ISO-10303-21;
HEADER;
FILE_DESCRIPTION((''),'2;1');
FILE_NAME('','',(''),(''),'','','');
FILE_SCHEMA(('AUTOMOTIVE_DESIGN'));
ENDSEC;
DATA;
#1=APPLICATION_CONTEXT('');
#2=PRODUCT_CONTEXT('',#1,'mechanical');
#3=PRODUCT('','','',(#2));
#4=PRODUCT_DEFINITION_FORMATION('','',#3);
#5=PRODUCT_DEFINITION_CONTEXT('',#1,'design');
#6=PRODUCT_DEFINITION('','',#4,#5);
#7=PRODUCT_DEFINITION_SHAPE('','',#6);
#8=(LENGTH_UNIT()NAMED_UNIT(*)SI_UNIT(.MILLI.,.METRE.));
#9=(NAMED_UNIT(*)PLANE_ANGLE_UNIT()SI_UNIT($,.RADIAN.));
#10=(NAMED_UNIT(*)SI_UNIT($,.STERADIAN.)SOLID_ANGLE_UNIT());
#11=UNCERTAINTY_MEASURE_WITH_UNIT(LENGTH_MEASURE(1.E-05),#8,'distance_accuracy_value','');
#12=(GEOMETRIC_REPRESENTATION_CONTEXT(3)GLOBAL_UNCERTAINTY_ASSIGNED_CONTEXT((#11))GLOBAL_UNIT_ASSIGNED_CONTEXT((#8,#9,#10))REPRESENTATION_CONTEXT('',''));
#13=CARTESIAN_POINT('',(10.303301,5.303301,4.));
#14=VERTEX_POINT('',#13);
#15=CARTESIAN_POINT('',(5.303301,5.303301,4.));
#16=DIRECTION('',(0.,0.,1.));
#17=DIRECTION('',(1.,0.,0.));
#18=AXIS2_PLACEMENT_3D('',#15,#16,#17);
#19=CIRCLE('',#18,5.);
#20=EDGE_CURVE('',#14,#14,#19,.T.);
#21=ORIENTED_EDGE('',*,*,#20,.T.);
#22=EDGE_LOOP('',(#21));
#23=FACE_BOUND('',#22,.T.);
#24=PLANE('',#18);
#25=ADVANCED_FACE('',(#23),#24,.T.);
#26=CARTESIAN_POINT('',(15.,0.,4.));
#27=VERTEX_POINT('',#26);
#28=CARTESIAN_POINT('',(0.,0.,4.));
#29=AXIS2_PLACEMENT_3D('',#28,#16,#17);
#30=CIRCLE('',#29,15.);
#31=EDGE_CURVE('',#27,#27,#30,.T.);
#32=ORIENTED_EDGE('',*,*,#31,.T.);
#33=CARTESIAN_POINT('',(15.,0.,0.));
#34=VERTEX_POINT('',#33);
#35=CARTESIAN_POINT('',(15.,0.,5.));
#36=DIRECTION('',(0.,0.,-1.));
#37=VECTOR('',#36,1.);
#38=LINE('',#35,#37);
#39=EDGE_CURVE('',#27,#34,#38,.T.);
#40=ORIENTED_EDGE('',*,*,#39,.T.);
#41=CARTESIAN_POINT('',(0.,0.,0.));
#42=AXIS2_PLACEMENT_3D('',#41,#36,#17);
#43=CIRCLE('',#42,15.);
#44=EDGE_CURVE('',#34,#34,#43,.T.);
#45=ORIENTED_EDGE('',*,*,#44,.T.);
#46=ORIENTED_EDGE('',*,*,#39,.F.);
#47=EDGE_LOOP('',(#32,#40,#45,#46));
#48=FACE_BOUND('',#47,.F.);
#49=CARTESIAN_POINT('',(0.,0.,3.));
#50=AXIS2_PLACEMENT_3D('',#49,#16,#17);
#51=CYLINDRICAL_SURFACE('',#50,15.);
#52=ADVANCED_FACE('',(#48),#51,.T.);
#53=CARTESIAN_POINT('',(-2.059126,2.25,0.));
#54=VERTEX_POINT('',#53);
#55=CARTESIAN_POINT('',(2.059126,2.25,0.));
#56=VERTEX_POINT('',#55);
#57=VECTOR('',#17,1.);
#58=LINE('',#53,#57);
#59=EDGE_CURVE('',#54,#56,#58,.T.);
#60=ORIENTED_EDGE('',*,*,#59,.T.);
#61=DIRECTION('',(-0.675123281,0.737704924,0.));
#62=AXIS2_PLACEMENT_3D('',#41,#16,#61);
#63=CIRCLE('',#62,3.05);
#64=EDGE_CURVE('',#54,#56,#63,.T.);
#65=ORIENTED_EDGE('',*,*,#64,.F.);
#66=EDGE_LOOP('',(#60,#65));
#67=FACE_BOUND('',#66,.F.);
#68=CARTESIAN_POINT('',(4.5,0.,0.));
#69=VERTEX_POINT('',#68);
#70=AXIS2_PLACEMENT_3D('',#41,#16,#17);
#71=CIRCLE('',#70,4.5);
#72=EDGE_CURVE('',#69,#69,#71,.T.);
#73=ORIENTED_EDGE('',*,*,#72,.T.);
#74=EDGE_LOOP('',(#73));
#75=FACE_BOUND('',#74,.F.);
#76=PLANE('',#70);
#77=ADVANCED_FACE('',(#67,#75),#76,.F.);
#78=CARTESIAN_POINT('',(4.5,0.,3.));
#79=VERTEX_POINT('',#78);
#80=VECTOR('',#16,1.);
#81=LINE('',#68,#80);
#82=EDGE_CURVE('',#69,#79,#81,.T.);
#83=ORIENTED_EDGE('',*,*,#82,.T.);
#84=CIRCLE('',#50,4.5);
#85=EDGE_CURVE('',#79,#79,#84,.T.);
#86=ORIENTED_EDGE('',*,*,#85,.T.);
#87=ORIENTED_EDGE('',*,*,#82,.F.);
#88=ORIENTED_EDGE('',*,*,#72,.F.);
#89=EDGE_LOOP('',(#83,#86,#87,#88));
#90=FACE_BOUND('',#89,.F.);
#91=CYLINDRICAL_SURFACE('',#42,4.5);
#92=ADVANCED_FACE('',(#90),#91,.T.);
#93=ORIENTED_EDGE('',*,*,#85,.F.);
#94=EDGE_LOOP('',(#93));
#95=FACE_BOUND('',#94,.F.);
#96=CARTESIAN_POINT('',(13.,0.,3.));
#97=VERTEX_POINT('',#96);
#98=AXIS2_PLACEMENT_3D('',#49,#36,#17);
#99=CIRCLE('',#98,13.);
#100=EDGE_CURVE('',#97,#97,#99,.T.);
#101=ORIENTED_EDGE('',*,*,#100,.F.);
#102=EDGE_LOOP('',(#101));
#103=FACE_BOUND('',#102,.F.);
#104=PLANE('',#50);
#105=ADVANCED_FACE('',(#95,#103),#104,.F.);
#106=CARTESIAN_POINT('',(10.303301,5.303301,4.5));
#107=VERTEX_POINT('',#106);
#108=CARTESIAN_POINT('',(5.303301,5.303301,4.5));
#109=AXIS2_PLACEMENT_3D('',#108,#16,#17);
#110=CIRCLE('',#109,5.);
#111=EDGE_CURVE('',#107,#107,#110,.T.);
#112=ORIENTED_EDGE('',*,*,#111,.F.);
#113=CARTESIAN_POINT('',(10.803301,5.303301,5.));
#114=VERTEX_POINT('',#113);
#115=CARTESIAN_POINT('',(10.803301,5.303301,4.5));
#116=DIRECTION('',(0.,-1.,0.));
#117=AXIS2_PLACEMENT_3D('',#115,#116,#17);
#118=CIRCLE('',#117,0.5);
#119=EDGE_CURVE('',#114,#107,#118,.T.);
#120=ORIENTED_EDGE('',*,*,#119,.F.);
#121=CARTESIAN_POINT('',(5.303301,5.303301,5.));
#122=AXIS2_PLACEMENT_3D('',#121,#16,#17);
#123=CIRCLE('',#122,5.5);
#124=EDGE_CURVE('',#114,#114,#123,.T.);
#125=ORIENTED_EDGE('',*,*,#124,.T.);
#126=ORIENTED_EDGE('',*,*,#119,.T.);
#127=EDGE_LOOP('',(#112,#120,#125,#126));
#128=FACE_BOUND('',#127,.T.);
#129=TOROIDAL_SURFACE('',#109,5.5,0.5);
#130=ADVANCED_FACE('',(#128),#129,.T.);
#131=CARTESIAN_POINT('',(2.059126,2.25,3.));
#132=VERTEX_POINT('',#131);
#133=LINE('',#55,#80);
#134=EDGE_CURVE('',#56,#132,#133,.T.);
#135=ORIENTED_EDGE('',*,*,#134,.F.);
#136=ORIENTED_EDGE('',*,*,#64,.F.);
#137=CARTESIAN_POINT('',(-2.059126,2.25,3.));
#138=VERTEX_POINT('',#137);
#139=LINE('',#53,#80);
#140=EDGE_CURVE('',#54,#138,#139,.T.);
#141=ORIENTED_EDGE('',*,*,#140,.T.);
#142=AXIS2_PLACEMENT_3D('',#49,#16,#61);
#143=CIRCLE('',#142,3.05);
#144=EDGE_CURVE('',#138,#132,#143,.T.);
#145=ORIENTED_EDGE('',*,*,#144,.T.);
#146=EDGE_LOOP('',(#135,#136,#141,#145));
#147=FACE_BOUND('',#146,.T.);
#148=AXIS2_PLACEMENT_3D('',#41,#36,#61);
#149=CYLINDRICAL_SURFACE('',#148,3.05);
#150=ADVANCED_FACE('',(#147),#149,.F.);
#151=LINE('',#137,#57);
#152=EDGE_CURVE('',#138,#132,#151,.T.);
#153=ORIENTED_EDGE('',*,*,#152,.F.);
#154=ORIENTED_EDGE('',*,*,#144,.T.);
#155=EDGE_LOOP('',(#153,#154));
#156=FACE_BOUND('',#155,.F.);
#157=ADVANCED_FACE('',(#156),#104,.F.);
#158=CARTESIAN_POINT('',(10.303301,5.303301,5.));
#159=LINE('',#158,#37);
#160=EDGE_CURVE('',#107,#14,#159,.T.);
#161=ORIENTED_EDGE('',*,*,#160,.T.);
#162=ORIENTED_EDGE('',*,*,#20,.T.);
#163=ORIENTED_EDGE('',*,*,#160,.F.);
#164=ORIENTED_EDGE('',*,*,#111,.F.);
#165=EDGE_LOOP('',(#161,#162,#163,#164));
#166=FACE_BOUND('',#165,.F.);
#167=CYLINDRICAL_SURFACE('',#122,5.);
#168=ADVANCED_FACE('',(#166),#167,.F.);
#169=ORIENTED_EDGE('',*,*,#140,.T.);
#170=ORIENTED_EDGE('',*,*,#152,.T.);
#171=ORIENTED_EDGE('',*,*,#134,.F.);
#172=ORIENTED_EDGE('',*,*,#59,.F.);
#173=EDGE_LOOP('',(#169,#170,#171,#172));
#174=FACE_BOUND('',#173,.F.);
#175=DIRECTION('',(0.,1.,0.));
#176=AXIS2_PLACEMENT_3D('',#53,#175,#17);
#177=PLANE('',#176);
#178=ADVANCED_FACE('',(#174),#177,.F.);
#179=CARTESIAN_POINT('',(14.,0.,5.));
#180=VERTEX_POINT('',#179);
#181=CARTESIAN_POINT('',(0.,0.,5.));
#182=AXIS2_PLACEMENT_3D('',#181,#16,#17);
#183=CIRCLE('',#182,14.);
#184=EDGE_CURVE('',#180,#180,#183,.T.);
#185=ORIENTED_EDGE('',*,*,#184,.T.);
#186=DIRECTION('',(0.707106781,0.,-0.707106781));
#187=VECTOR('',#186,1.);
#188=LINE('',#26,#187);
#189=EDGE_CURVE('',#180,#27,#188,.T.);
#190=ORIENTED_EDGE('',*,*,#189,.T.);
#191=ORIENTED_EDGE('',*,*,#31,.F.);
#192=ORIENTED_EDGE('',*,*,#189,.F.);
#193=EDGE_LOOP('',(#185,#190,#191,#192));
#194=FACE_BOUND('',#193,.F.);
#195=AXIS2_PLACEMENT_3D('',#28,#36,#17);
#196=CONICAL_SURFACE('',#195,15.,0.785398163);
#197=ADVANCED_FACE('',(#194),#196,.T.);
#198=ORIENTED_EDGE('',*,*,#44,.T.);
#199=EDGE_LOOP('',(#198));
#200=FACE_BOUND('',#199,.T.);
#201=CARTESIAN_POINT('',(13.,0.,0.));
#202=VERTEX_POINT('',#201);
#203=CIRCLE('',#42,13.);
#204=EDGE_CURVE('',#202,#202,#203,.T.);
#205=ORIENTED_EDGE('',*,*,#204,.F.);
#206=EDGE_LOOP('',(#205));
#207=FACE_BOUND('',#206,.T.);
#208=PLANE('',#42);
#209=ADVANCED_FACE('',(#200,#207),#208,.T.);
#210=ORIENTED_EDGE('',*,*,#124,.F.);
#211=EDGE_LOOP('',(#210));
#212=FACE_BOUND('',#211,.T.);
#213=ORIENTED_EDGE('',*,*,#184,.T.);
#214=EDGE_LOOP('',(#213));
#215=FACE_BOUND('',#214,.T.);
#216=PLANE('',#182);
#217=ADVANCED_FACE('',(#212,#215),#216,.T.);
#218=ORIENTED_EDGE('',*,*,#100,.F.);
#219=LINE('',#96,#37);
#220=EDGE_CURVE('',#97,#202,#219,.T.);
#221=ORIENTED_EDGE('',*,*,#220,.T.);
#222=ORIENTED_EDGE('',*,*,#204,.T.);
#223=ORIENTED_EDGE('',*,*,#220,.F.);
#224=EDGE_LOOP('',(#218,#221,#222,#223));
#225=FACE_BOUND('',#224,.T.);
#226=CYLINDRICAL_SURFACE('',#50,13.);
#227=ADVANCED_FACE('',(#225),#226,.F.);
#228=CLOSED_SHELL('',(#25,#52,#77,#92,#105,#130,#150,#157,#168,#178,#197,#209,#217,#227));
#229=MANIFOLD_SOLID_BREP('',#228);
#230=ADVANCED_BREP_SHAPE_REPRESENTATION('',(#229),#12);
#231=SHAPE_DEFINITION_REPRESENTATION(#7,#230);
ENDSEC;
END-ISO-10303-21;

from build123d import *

# Parameters (mm, degrees)
SKETCH_R      = 4.5
PAD_DEPTH     = 3
SKETCH001_R   = 15
PAD001_DEPTH  = 2
SKETCH002_R   = 15
SKETCH002_R_2 = 13
PAD002_DEPTH  = 3
SKETCH003_R   = 5
POCKET_DEPTH  = 1
FILLET_R      = 0.5
CHAMFER_SIZE  = 1


with BuildPart() as part:
    # Sketch → Pad (new body)
    with BuildSketch(Plane.XY):
        Circle(SKETCH_R)
        with BuildLine():
            ThreePointArc((-2.059126, 2.25), (0, -3.05), (2.059126, 2.25))
            Line((-2.059126, 2.25), (2.059126, 2.25))
        make_face(mode=Mode.SUBTRACT)
    extrude(amount=PAD_DEPTH)

    # Sketch001 (on Face5 of Pad) → Pad001 (join)
    with BuildSketch(Plane.XY.offset(3)):
        Circle(SKETCH001_R)
    extrude(amount=PAD001_DEPTH)

    # Sketch002 (on Face2 of Pad001) → Pad002 (join)
    with BuildSketch(Plane(origin=(0, 0, 3), x_dir=(1, 0, 0), z_dir=(0, 0, -1))):
        Circle(SKETCH002_R)
        Circle(SKETCH002_R_2, mode=Mode.SUBTRACT)
    extrude(amount=PAD002_DEPTH)

    # Sketch003 (on Face3 of Pad002) → Pocket (cut)
    with BuildSketch(Plane.XY.offset(5)):
        with Locations((5.303301, 5.303301)):
            Circle(SKETCH003_R)
    extrude(amount=-POCKET_DEPTH, mode=Mode.SUBTRACT)

    # Fillet
    fillet_edges = [part.edges().sort_by_distance(p)[0] for p in [
        (0.303301, 5.303301, 5),
    ]]
    fillet(fillet_edges, radius=FILLET_R)

    # Chamfer
    chamfer_edges = [part.edges().sort_by_distance(p)[0] for p in [
        (-15, 0, 5),
    ]]
    chamfer(chamfer_edges, length=CHAMFER_SIZE)


solid = part.part
